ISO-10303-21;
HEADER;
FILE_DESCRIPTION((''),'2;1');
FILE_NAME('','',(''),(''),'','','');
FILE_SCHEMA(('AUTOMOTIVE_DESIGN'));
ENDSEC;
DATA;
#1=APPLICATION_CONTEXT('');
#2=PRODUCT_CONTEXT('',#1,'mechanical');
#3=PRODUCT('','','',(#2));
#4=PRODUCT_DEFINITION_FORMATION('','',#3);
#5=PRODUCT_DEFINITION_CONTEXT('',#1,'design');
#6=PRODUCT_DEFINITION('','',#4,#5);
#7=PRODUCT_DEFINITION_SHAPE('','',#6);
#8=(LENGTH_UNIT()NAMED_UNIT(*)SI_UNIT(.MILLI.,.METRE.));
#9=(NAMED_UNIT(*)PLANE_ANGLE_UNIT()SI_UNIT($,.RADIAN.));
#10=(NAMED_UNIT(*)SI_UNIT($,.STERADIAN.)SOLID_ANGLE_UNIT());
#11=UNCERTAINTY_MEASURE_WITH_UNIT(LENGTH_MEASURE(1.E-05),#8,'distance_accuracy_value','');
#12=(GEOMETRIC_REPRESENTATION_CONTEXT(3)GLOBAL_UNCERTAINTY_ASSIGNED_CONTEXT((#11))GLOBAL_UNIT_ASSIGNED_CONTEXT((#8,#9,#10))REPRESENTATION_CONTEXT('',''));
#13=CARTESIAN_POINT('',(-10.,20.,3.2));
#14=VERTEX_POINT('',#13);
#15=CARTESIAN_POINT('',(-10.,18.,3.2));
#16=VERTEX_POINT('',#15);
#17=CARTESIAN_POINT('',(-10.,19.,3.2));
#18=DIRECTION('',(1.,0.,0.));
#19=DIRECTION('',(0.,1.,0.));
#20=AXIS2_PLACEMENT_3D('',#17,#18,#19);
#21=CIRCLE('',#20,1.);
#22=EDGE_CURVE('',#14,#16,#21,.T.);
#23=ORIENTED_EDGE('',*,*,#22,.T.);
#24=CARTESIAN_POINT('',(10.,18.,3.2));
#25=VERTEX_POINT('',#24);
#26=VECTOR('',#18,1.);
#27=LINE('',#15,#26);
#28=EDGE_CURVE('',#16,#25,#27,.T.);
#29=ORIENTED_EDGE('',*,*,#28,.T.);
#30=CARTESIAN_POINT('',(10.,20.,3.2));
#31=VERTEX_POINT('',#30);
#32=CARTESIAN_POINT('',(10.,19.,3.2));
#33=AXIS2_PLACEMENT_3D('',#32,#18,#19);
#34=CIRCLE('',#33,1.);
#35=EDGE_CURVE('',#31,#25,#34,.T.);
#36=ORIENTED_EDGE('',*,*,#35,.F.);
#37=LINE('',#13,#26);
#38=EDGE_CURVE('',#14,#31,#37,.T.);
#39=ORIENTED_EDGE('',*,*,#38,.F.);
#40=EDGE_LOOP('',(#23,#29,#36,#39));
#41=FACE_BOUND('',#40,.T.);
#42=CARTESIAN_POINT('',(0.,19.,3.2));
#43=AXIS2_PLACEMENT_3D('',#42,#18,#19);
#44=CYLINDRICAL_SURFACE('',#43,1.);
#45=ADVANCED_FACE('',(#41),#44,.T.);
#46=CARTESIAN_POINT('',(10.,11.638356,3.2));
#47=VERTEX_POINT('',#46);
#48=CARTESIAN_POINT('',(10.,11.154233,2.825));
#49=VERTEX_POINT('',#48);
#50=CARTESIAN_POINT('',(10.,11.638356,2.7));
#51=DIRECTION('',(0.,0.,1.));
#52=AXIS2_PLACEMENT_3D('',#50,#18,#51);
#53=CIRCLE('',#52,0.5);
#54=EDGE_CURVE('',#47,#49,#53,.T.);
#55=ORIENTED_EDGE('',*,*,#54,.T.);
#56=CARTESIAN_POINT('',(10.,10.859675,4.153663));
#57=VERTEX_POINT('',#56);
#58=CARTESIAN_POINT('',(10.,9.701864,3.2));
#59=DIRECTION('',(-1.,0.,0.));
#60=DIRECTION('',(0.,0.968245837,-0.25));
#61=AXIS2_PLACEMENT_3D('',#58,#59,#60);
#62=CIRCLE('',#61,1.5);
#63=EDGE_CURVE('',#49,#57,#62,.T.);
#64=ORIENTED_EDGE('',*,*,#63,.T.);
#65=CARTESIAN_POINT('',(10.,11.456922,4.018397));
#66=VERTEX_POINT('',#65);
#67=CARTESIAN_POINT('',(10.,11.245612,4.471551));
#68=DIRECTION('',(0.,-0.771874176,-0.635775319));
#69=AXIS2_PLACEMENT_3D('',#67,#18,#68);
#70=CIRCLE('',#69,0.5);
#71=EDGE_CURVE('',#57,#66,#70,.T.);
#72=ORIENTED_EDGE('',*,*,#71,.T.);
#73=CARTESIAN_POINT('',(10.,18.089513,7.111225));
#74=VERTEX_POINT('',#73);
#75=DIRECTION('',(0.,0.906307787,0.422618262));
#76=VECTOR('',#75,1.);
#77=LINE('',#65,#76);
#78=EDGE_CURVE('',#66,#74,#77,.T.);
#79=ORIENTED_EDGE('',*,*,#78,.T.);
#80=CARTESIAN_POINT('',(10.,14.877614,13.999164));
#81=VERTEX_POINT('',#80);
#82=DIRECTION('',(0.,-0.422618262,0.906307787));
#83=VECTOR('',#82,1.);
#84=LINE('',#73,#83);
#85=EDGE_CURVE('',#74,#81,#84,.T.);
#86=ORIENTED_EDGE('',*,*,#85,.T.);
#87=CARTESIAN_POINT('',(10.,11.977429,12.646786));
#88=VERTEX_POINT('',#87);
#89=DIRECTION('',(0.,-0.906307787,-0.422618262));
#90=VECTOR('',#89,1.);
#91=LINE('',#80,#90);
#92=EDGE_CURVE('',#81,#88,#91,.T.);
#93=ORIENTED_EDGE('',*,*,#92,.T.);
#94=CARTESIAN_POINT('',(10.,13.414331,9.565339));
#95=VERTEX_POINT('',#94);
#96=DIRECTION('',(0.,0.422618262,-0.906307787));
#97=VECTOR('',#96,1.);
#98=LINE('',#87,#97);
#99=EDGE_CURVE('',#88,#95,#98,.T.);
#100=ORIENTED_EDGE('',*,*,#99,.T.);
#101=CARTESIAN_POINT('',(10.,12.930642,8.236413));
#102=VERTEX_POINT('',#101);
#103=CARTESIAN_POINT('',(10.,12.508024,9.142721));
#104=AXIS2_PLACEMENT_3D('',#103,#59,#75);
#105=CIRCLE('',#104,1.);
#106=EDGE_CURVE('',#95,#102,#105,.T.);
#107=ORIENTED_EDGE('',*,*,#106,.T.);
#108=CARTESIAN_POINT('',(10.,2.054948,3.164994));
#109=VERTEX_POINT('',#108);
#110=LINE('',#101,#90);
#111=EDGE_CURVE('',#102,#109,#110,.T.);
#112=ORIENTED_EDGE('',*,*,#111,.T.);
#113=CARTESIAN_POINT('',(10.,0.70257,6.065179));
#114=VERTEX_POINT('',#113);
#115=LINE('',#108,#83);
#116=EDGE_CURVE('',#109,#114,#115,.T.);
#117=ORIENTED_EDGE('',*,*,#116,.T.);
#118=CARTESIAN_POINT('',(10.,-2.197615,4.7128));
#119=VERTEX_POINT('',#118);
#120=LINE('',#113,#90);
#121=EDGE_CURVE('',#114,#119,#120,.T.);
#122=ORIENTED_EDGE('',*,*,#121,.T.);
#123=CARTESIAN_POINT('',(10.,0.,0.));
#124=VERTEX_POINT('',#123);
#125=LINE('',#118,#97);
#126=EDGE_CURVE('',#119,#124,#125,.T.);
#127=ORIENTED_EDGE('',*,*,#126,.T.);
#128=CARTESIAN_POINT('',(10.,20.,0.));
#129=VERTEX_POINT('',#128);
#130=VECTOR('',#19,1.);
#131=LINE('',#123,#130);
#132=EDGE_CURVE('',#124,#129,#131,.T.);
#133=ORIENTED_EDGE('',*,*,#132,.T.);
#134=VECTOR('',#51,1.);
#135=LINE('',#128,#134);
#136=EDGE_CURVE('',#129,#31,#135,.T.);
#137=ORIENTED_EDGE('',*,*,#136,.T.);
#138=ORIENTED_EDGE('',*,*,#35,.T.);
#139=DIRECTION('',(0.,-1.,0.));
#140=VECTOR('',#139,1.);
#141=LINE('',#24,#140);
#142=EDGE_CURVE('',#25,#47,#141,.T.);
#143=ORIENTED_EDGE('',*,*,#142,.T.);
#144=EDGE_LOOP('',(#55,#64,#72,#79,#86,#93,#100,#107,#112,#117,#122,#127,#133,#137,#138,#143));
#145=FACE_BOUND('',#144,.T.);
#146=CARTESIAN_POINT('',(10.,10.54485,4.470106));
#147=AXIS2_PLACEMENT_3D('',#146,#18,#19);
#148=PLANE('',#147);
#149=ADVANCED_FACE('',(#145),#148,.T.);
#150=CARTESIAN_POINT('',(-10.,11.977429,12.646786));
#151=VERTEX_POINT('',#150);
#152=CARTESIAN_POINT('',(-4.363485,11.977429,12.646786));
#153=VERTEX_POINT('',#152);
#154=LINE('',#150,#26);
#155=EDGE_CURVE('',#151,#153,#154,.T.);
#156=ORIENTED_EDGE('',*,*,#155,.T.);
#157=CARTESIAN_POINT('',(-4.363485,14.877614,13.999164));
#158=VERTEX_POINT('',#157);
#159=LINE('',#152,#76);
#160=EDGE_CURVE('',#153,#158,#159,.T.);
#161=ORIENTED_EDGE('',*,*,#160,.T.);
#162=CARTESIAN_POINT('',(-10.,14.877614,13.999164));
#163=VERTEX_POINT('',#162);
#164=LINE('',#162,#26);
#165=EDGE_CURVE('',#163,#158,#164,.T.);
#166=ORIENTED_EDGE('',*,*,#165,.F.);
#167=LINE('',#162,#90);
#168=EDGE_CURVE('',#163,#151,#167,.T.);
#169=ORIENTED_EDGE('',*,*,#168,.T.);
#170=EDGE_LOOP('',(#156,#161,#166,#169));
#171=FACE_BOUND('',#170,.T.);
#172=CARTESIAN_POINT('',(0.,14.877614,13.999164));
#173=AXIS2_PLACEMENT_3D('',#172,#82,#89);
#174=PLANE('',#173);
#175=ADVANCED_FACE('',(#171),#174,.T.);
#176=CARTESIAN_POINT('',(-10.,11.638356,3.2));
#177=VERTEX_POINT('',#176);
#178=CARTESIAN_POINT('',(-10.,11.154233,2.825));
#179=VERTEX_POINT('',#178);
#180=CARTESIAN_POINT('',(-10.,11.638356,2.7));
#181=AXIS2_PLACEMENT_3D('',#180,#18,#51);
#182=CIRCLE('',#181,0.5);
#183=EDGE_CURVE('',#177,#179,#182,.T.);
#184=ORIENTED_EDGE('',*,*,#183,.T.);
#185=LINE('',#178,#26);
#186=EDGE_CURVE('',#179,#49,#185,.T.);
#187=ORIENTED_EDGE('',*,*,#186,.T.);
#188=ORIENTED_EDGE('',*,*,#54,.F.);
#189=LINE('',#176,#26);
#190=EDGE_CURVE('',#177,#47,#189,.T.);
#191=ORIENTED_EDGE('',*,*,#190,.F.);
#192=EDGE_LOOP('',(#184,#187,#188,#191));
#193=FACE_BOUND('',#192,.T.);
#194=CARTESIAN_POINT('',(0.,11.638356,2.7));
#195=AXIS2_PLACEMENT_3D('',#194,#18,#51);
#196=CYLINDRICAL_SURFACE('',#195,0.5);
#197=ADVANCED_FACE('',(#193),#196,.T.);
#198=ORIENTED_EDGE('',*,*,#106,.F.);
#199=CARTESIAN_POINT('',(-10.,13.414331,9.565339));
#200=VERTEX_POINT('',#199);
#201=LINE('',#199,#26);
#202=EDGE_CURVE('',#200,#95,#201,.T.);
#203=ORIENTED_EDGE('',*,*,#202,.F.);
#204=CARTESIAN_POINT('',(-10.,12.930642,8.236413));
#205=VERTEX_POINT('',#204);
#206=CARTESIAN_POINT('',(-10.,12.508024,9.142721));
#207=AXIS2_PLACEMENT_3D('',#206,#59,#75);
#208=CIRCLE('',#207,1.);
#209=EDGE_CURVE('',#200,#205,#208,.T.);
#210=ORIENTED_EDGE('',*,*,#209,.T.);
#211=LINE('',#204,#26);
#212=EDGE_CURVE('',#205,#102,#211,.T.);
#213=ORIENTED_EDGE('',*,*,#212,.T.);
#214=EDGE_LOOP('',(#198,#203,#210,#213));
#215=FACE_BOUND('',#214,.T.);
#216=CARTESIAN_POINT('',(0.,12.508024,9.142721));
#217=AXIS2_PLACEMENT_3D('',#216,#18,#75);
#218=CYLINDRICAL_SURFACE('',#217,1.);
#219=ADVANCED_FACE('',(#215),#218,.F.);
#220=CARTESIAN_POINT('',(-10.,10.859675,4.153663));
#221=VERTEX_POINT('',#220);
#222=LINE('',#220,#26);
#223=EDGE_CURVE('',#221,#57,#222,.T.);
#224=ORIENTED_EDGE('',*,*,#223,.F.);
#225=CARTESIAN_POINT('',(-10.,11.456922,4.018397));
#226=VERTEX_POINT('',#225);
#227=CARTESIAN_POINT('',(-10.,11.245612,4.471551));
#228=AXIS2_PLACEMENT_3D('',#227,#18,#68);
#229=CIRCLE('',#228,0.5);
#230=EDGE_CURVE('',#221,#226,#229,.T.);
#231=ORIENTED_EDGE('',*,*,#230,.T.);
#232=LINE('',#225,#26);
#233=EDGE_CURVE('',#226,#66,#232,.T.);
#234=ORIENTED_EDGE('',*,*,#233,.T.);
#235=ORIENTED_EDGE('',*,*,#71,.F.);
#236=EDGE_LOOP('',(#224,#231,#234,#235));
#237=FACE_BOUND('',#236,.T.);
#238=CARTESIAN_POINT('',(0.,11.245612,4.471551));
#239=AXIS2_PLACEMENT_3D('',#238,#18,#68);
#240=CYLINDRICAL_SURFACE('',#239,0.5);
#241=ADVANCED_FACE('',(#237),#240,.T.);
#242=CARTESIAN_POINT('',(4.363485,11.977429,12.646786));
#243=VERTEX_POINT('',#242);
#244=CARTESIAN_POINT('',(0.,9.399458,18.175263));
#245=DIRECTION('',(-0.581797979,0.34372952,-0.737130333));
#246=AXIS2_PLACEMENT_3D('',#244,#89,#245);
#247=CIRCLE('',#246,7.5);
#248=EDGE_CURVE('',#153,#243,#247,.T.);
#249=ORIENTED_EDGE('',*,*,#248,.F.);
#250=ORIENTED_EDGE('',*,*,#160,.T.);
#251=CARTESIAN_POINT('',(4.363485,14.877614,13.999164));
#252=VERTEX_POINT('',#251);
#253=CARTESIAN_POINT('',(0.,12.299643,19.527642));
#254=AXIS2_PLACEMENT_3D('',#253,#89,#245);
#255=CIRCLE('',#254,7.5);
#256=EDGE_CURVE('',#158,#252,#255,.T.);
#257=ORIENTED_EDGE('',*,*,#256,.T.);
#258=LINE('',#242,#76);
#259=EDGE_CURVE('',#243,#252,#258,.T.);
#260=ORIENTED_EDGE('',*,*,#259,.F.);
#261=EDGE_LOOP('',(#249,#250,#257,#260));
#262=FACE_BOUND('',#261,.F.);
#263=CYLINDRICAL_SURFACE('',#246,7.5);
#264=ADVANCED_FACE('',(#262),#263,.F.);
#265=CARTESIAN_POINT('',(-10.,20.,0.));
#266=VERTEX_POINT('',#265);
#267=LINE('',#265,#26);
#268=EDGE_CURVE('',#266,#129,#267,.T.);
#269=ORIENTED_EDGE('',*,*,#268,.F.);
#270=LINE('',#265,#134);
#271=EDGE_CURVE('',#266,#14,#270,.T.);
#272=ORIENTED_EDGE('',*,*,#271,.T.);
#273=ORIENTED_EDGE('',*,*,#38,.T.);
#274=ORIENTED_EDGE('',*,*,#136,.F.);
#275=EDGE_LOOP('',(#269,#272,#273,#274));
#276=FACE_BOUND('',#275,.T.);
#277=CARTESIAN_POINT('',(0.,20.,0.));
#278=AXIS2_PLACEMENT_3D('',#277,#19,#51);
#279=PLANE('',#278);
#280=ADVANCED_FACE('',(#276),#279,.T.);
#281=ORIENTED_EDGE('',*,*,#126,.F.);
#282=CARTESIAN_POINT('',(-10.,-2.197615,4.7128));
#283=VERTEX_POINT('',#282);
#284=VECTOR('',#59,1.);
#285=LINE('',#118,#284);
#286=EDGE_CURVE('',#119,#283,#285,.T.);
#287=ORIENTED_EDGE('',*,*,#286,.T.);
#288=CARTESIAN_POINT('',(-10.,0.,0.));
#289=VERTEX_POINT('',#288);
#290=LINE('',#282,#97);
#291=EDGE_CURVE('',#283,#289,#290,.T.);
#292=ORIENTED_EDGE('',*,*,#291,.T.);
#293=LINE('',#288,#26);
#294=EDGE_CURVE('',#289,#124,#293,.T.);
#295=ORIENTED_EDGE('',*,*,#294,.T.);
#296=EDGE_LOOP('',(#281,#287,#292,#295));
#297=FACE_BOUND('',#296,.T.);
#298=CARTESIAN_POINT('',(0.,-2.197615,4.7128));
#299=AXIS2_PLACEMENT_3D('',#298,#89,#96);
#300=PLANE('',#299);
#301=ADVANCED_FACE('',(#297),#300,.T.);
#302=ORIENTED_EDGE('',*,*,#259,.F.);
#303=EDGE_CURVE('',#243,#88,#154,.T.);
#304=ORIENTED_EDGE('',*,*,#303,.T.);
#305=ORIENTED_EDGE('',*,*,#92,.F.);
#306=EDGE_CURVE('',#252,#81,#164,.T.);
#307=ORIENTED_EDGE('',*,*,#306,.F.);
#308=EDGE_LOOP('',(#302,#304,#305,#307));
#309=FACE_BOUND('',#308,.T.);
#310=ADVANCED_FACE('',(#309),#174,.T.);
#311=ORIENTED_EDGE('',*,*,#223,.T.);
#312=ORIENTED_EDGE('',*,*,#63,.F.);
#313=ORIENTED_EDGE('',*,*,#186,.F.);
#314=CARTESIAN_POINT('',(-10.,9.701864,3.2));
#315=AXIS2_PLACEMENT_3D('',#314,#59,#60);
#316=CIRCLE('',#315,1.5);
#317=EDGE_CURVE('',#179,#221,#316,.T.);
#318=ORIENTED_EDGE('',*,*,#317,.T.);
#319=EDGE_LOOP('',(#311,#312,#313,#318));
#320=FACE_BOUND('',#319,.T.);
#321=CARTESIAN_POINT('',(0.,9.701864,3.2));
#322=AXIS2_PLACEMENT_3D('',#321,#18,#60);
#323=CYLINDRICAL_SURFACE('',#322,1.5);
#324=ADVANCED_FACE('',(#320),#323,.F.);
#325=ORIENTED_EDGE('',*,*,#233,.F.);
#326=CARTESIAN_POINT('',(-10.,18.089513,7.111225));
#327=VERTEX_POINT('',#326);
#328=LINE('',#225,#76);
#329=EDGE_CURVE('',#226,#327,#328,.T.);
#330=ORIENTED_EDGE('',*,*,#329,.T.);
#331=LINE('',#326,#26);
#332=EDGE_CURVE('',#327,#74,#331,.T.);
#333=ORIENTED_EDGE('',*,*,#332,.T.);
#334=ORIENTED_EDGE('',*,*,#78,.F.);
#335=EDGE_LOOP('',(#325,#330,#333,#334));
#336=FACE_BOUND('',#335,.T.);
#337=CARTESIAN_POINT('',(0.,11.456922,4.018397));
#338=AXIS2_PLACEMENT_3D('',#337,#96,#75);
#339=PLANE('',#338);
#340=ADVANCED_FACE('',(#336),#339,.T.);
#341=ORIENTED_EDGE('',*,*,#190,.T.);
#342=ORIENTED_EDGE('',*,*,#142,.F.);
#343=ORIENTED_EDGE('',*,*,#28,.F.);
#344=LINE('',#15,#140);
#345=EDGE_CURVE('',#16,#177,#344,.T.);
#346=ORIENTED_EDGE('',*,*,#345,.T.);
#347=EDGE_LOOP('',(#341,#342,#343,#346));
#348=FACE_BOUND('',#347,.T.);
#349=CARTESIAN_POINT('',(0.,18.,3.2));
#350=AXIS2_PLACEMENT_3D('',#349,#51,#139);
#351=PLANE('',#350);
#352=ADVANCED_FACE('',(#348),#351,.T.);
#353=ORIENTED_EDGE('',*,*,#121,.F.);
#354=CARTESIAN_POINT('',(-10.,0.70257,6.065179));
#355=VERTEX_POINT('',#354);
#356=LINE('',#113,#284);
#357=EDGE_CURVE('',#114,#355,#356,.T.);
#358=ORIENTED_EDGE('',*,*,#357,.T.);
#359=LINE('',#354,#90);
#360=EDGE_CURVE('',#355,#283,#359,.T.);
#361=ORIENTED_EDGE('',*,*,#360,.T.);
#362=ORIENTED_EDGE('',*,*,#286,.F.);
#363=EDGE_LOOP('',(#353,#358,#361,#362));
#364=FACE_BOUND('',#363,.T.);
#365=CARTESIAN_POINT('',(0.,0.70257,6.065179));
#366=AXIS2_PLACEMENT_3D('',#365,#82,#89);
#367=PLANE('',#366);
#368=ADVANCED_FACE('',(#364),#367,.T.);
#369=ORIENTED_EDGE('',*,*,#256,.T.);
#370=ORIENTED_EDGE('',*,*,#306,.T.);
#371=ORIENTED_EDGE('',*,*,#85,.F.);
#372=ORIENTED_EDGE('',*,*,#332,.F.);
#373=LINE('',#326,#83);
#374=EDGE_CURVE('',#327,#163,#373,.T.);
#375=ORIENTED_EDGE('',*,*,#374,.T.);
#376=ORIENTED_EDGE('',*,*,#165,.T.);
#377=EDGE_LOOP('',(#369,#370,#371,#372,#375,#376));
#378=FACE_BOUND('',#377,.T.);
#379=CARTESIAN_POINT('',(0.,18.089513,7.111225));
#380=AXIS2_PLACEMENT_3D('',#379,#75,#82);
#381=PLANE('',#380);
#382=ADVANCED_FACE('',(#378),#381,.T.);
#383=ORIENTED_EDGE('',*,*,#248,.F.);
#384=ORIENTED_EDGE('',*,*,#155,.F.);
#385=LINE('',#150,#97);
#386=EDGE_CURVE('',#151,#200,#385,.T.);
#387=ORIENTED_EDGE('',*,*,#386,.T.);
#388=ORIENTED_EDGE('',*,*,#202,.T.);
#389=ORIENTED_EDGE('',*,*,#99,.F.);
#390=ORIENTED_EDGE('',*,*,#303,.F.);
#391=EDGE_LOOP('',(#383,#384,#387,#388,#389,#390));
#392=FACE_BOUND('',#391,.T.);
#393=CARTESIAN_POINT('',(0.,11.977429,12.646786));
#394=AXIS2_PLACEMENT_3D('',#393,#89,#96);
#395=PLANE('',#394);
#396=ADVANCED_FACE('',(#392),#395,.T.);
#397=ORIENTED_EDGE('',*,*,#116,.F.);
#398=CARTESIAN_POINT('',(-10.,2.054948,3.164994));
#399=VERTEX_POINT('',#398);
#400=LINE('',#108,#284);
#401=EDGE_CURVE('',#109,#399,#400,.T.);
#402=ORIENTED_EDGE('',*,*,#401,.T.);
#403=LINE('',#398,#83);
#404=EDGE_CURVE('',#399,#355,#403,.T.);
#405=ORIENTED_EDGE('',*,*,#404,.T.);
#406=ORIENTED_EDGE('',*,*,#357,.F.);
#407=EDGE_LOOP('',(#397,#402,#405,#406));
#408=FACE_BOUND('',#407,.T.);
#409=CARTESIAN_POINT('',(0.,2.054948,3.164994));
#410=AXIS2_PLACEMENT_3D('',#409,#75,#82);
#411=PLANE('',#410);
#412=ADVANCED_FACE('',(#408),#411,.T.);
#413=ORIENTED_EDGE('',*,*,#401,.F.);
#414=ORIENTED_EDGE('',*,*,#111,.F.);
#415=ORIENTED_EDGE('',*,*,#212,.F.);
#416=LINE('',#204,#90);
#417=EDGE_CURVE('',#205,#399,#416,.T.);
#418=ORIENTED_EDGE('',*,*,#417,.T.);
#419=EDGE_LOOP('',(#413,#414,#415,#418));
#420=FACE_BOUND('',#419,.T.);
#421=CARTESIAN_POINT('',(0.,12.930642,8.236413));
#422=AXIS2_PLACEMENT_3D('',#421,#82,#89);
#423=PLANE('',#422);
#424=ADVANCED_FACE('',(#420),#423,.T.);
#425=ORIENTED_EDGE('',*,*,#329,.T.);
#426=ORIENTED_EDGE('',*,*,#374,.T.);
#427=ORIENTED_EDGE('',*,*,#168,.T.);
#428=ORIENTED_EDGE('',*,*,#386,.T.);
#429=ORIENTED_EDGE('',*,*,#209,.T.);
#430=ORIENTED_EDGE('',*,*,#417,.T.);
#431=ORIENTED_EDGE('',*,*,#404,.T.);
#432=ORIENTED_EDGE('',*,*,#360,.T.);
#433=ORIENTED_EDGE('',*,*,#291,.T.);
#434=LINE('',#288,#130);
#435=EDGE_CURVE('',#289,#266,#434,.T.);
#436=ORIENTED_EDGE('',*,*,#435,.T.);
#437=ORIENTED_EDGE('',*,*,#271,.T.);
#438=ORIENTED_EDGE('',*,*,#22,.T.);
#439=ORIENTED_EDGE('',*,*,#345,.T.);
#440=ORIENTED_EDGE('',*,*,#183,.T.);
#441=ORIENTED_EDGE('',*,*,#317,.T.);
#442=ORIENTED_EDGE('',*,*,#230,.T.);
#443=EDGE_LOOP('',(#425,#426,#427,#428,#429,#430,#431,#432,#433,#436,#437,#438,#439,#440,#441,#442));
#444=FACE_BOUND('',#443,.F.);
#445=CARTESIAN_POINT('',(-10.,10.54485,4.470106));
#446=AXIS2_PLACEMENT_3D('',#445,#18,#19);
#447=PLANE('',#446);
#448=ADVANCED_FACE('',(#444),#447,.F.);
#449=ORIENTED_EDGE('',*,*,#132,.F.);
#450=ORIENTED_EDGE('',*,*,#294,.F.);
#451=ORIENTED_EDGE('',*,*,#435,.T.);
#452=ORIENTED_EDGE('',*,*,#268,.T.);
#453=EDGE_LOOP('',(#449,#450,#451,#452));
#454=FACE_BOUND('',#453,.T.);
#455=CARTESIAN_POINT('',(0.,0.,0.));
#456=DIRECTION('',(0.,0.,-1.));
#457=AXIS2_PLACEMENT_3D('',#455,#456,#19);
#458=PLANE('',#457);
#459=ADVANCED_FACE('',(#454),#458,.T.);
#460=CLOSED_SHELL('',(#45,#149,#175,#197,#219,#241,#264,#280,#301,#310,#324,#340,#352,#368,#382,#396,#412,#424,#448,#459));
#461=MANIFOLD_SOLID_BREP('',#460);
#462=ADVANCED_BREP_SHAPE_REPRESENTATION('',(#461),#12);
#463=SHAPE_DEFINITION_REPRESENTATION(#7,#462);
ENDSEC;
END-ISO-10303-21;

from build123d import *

# Parameters (mm, degrees)
F1_DEPTH = 10
F3_DEPTH = 3.2


with BuildPart() as f1:
    # F0 (on Right) → F1 (new body, symmetric)
    with BuildSketch(Plane.YZ):
        with BuildLine():
            Line((-2.1976149611, 4.7128004926), (0, 0))
            Line((0, 0), (20, 0))
            Line((20, 0), (20, 3.2))
            ThreePointArc((20, 3.2), (19, 4.2), (18, 3.2))
            Line((18, 3.2), (11.6383557185, 3.2))
            ThreePointArc((11.6383557185, 3.2), (11.3321695007, 3.0952847075), (11.1542328002, 2.825))
            ThreePointArc((11.1542328002, 2.825), (8.2374200347, 2.8753405791), (10.8596753094, 4.1536629787))
            ThreePointArc((10.8596753094, 4.1536629787), (11.1351679799, 3.9839011426), (11.4569215283, 4.0183967448))
            Line((11.4569215283, 4.0183967448), (18.0895129826, 7.1112249333))
            Line((18.0895129826, 7.1112249333), (14.8776141934, 13.9991641148))
            Line((14.8776141934, 13.9991641148), (11.9774292749, 12.6467856772))
            Line((11.9774292749, 12.6467856772), (13.4143313648, 9.5653392013))
            ThreePointArc((13.4143313648, 9.5653392013), (13.4477161985, 8.8007007962), (12.9306418395, 8.2364131525))
            Line((12.9306418395, 8.2364131525), (2.054948395, 3.1649940116))
            Line((2.054948395, 3.1649940116), (0.7025699575, 6.0651789302))
            Line((0.7025699575, 6.0651789302), (-2.1976149611, 4.7128004926))
        make_face()
    extrude(amount=F1_DEPTH, both=True)

    # F2 (on face) → F3 (cut, through all)
    with BuildSketch(Plane(origin=(0, 14.68218615, 6.8464158402), x_dir=(1, 0, 0), z_dir=(0, -0.906307787, -0.4226182617))):
        with BuildLine():
            Line((4.3634848459, 6.4), (-4.3634848459, 6.4))
            ThreePointArc((-4.3634848459, 6.4), (0, 5), (4.3634848459, 6.4))
        make_face()
    extrude(amount=-F3_DEPTH, mode=Mode.SUBTRACT)


solid = f1.part
